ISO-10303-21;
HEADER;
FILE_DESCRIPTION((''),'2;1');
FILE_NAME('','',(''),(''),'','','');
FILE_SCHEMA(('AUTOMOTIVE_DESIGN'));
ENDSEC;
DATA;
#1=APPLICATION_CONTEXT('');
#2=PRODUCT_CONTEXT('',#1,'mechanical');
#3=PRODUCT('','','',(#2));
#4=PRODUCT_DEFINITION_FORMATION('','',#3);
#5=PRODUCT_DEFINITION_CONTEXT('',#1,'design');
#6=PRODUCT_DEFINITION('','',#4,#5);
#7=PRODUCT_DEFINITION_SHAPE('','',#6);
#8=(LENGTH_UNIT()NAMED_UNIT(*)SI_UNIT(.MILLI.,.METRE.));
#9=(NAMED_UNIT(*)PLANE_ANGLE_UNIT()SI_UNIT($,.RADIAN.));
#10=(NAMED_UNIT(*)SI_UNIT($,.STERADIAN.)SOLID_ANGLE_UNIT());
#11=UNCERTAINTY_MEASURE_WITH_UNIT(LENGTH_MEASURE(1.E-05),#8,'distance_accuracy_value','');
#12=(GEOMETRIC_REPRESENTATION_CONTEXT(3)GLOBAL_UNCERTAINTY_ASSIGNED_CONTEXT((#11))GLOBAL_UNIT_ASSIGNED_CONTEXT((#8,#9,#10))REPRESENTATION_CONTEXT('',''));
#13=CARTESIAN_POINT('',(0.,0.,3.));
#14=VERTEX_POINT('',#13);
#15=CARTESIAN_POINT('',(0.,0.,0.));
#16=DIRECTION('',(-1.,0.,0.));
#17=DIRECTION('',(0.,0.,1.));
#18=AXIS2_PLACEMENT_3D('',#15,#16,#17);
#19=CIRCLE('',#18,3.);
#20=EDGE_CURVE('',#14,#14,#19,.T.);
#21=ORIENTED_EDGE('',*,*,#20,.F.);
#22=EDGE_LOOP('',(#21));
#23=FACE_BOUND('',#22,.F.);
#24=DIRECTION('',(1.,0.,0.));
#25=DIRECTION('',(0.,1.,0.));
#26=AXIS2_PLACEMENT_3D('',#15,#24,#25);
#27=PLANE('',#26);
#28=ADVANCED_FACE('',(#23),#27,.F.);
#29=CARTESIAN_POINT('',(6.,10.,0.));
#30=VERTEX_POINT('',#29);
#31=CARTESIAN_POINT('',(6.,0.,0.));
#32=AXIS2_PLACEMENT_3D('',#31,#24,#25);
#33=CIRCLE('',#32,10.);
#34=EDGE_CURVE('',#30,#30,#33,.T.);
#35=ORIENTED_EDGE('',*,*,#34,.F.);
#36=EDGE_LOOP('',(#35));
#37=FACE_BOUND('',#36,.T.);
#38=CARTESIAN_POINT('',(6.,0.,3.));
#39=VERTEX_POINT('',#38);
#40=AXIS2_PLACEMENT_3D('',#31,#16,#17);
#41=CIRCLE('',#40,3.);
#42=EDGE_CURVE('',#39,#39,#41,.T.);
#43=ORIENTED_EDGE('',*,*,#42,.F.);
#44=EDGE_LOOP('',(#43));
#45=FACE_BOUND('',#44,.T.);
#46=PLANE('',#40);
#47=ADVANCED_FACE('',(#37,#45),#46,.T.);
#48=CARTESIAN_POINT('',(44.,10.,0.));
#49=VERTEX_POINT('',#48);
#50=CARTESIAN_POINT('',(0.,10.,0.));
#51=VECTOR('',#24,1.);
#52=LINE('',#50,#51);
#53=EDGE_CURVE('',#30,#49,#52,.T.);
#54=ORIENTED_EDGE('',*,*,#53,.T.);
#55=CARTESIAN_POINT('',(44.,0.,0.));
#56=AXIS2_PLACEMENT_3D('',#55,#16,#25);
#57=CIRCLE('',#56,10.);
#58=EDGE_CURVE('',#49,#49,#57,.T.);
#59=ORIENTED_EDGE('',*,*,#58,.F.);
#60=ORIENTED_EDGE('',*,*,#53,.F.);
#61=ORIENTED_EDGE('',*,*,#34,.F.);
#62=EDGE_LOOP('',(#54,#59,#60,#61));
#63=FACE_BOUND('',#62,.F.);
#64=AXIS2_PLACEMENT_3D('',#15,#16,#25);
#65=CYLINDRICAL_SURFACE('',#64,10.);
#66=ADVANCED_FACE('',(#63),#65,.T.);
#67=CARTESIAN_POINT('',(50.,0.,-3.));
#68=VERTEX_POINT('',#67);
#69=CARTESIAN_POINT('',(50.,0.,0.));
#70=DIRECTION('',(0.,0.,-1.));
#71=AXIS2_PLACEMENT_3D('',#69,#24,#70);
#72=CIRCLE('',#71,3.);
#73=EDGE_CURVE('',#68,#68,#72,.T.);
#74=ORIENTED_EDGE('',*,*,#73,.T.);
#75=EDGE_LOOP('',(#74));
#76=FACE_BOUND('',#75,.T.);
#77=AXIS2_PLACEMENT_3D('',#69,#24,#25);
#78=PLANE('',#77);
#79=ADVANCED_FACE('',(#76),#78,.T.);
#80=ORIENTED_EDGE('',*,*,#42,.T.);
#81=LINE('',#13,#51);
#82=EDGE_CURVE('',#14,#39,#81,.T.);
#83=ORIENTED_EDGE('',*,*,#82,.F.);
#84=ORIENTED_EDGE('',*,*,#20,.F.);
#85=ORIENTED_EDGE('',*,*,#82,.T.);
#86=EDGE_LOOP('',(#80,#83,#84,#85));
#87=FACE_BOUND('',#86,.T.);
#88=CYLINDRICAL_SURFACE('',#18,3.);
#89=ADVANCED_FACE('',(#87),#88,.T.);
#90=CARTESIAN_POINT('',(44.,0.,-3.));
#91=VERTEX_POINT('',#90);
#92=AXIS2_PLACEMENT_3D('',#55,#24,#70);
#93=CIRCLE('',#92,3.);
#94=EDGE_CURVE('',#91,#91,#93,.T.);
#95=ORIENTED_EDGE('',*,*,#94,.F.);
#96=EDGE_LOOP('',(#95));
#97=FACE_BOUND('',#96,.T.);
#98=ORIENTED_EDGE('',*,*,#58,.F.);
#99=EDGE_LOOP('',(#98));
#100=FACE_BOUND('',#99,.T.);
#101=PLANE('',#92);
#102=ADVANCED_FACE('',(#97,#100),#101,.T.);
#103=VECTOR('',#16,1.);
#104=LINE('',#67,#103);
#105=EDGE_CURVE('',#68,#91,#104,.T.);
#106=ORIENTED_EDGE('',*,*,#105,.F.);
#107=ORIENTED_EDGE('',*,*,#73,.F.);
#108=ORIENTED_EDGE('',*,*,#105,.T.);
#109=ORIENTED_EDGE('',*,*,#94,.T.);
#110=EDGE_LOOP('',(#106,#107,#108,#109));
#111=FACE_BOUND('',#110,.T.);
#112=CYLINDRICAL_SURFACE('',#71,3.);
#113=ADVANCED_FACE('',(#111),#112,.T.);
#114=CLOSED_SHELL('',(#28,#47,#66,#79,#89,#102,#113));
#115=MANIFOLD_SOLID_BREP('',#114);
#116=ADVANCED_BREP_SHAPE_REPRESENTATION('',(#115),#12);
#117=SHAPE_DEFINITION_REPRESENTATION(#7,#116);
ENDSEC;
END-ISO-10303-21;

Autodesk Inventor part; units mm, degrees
ref_plane "YZ Plane" through (0, 0, 0) normal (1, 0, 0) x (0, 1, 0)
ref_plane "XZ Plane" through (0, 0, 0) normal (0, 1, 0) x (-1, 0, 0)
ref_plane "XY Plane" through (0, 0, 0) normal (0, 0, 1) x (1, 0, 0)
sketch "Sketch1" plane through (0, 0, 0) normal (1, 0, 0) x (0, 1, 0)
  circle A0 centre (0, 0) radius 10
  dimension "d0" = 20
extrude "Extrusion1" add sketch "Sketch1" along normal blind 50
sketch "Sketch2" plane through (50, 0, 0) normal (1, 0, 0) x (0, 0, -1)
  circle A0 centre (0, 0) radius 10
  circle A1 centre (0, 0) radius 3
  dimension "d3" = 20
  dimension "d4" = 6
extrude "Extrusion2" cut sketch "Sketch2" against normal blind 6
sketch "Sketch3" plane through (0, 0, 0) normal (-1, 0, 0) x (0, 0, 1)
  circle A0 centre (0, 0) radius 10 projected
  circle A1 centre (0, 0) radius 10
  circle A2 centre (0, 0) radius 3
  dimension "d7" = 20
  dimension "d8" = 6
extrude "Extrusion3" cut sketch "Sketch3" against normal blind 6
properties part number "roller"
